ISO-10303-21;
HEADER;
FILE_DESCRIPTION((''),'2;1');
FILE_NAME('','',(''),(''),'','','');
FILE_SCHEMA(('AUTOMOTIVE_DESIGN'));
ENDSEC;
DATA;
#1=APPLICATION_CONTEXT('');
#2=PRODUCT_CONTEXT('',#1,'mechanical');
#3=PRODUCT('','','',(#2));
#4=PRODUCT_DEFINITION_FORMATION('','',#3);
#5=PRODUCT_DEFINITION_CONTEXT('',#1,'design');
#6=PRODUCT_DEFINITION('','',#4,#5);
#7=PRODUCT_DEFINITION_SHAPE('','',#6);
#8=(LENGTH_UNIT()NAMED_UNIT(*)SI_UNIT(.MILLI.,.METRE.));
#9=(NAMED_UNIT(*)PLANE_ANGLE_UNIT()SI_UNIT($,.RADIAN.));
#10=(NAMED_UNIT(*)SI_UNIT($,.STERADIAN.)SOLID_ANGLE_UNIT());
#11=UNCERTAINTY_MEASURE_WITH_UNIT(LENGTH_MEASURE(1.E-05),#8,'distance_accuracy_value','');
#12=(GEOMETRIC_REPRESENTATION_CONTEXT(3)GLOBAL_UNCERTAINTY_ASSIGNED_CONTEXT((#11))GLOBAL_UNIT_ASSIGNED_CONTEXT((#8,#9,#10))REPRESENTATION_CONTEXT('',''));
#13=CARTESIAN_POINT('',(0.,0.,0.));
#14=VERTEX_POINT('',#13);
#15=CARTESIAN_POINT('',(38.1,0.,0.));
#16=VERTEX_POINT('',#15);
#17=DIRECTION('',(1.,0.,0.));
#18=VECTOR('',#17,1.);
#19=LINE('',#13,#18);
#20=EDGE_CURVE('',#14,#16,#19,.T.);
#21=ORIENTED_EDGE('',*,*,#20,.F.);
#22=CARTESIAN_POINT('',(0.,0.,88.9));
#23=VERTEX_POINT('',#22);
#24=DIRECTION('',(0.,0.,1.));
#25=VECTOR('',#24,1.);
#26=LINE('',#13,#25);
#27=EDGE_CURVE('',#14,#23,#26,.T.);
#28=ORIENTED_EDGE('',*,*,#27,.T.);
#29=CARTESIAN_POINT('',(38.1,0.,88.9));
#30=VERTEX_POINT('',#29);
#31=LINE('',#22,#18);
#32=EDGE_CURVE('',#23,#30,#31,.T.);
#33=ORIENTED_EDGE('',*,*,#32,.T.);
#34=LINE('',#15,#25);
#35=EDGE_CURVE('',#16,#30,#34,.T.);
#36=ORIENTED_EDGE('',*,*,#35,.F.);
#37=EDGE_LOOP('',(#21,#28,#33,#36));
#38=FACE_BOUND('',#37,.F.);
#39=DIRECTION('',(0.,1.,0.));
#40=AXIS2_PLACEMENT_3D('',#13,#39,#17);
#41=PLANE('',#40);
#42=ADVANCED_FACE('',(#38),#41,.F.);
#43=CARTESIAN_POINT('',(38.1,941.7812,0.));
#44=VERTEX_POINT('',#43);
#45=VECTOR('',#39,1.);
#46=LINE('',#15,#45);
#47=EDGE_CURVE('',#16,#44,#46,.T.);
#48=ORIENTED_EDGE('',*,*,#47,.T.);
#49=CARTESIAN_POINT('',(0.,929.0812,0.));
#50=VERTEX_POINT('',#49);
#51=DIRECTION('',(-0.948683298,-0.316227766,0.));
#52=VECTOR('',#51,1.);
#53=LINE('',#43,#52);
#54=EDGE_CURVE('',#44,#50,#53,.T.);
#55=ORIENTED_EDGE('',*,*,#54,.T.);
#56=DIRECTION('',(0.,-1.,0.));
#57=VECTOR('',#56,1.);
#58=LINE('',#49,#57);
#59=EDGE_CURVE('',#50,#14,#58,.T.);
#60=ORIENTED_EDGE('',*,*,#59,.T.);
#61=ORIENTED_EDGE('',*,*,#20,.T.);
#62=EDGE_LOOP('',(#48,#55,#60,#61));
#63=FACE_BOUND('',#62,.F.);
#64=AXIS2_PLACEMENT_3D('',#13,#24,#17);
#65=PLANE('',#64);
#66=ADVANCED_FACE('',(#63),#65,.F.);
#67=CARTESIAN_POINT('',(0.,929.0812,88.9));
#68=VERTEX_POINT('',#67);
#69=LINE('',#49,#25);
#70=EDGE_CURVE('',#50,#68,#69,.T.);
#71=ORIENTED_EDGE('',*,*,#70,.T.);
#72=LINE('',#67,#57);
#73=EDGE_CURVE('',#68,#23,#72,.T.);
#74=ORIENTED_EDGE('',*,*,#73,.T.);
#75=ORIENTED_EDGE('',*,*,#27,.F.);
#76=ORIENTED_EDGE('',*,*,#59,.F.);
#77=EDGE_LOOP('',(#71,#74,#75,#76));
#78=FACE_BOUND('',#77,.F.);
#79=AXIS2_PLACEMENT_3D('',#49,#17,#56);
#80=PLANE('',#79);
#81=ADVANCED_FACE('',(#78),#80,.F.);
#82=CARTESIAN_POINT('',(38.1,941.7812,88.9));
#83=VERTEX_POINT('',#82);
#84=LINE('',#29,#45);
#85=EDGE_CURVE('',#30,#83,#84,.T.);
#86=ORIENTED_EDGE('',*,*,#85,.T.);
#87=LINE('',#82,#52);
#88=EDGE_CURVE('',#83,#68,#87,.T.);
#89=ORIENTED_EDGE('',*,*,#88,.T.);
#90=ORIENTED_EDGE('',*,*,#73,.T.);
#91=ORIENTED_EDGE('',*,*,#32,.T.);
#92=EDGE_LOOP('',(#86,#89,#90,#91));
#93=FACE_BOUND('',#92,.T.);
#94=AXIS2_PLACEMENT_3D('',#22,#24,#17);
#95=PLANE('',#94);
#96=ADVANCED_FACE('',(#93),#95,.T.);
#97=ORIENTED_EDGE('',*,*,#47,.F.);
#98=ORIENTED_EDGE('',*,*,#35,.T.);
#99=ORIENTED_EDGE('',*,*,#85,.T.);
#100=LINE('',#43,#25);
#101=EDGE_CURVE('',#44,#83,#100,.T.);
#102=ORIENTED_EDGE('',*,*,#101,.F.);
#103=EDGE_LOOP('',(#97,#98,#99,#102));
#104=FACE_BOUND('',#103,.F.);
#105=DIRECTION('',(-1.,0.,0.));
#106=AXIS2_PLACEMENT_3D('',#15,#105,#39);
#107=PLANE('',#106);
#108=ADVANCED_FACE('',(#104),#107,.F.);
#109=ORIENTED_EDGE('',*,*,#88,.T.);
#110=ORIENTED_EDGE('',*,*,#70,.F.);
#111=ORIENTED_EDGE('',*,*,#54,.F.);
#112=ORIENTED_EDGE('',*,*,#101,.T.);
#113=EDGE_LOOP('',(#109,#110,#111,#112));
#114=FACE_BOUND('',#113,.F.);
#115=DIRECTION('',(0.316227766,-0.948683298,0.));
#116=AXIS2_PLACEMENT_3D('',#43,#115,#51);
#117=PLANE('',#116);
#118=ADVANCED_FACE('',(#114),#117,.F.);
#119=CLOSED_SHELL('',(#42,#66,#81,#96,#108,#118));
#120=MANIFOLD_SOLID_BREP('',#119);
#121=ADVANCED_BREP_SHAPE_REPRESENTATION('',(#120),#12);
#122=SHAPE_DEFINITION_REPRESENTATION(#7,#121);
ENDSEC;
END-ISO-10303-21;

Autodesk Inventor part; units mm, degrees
ref_plane "YZ Plane" through (0, 0, 0) normal (1, 0, 0) x (0, 1, 0)
ref_plane "XZ Plane" through (0, 0, 0) normal (0, 1, 0) x (-1, 0, 0)
ref_plane "XY Plane" through (0, 0, 0) normal (0, 0, 1) x (1, 0, 0)
sketch "Sketch1" plane through (0, 0, 0) normal (0, 0, 1) x (1, 0, 0)
  line L0 (0, 0) -> (38.1, 0)
  line L1 (38.1, 0) -> (38.1, 941.7812)
  line L2 (38.1, 941.7812) -> (0, 929.0812)
  line L3 (0, 929.0812) -> (0, 0)
  dimension "d2" = 38.1
  dimension "d5" = 929.0812
  dimension "d6" = 941.7812
extrude "Extrusion1" add sketch "Sketch1" along normal blind 88.9
properties part number "Stud_Between_Top_Plate_And_Rafter_7" material "Wood (Birch)"
